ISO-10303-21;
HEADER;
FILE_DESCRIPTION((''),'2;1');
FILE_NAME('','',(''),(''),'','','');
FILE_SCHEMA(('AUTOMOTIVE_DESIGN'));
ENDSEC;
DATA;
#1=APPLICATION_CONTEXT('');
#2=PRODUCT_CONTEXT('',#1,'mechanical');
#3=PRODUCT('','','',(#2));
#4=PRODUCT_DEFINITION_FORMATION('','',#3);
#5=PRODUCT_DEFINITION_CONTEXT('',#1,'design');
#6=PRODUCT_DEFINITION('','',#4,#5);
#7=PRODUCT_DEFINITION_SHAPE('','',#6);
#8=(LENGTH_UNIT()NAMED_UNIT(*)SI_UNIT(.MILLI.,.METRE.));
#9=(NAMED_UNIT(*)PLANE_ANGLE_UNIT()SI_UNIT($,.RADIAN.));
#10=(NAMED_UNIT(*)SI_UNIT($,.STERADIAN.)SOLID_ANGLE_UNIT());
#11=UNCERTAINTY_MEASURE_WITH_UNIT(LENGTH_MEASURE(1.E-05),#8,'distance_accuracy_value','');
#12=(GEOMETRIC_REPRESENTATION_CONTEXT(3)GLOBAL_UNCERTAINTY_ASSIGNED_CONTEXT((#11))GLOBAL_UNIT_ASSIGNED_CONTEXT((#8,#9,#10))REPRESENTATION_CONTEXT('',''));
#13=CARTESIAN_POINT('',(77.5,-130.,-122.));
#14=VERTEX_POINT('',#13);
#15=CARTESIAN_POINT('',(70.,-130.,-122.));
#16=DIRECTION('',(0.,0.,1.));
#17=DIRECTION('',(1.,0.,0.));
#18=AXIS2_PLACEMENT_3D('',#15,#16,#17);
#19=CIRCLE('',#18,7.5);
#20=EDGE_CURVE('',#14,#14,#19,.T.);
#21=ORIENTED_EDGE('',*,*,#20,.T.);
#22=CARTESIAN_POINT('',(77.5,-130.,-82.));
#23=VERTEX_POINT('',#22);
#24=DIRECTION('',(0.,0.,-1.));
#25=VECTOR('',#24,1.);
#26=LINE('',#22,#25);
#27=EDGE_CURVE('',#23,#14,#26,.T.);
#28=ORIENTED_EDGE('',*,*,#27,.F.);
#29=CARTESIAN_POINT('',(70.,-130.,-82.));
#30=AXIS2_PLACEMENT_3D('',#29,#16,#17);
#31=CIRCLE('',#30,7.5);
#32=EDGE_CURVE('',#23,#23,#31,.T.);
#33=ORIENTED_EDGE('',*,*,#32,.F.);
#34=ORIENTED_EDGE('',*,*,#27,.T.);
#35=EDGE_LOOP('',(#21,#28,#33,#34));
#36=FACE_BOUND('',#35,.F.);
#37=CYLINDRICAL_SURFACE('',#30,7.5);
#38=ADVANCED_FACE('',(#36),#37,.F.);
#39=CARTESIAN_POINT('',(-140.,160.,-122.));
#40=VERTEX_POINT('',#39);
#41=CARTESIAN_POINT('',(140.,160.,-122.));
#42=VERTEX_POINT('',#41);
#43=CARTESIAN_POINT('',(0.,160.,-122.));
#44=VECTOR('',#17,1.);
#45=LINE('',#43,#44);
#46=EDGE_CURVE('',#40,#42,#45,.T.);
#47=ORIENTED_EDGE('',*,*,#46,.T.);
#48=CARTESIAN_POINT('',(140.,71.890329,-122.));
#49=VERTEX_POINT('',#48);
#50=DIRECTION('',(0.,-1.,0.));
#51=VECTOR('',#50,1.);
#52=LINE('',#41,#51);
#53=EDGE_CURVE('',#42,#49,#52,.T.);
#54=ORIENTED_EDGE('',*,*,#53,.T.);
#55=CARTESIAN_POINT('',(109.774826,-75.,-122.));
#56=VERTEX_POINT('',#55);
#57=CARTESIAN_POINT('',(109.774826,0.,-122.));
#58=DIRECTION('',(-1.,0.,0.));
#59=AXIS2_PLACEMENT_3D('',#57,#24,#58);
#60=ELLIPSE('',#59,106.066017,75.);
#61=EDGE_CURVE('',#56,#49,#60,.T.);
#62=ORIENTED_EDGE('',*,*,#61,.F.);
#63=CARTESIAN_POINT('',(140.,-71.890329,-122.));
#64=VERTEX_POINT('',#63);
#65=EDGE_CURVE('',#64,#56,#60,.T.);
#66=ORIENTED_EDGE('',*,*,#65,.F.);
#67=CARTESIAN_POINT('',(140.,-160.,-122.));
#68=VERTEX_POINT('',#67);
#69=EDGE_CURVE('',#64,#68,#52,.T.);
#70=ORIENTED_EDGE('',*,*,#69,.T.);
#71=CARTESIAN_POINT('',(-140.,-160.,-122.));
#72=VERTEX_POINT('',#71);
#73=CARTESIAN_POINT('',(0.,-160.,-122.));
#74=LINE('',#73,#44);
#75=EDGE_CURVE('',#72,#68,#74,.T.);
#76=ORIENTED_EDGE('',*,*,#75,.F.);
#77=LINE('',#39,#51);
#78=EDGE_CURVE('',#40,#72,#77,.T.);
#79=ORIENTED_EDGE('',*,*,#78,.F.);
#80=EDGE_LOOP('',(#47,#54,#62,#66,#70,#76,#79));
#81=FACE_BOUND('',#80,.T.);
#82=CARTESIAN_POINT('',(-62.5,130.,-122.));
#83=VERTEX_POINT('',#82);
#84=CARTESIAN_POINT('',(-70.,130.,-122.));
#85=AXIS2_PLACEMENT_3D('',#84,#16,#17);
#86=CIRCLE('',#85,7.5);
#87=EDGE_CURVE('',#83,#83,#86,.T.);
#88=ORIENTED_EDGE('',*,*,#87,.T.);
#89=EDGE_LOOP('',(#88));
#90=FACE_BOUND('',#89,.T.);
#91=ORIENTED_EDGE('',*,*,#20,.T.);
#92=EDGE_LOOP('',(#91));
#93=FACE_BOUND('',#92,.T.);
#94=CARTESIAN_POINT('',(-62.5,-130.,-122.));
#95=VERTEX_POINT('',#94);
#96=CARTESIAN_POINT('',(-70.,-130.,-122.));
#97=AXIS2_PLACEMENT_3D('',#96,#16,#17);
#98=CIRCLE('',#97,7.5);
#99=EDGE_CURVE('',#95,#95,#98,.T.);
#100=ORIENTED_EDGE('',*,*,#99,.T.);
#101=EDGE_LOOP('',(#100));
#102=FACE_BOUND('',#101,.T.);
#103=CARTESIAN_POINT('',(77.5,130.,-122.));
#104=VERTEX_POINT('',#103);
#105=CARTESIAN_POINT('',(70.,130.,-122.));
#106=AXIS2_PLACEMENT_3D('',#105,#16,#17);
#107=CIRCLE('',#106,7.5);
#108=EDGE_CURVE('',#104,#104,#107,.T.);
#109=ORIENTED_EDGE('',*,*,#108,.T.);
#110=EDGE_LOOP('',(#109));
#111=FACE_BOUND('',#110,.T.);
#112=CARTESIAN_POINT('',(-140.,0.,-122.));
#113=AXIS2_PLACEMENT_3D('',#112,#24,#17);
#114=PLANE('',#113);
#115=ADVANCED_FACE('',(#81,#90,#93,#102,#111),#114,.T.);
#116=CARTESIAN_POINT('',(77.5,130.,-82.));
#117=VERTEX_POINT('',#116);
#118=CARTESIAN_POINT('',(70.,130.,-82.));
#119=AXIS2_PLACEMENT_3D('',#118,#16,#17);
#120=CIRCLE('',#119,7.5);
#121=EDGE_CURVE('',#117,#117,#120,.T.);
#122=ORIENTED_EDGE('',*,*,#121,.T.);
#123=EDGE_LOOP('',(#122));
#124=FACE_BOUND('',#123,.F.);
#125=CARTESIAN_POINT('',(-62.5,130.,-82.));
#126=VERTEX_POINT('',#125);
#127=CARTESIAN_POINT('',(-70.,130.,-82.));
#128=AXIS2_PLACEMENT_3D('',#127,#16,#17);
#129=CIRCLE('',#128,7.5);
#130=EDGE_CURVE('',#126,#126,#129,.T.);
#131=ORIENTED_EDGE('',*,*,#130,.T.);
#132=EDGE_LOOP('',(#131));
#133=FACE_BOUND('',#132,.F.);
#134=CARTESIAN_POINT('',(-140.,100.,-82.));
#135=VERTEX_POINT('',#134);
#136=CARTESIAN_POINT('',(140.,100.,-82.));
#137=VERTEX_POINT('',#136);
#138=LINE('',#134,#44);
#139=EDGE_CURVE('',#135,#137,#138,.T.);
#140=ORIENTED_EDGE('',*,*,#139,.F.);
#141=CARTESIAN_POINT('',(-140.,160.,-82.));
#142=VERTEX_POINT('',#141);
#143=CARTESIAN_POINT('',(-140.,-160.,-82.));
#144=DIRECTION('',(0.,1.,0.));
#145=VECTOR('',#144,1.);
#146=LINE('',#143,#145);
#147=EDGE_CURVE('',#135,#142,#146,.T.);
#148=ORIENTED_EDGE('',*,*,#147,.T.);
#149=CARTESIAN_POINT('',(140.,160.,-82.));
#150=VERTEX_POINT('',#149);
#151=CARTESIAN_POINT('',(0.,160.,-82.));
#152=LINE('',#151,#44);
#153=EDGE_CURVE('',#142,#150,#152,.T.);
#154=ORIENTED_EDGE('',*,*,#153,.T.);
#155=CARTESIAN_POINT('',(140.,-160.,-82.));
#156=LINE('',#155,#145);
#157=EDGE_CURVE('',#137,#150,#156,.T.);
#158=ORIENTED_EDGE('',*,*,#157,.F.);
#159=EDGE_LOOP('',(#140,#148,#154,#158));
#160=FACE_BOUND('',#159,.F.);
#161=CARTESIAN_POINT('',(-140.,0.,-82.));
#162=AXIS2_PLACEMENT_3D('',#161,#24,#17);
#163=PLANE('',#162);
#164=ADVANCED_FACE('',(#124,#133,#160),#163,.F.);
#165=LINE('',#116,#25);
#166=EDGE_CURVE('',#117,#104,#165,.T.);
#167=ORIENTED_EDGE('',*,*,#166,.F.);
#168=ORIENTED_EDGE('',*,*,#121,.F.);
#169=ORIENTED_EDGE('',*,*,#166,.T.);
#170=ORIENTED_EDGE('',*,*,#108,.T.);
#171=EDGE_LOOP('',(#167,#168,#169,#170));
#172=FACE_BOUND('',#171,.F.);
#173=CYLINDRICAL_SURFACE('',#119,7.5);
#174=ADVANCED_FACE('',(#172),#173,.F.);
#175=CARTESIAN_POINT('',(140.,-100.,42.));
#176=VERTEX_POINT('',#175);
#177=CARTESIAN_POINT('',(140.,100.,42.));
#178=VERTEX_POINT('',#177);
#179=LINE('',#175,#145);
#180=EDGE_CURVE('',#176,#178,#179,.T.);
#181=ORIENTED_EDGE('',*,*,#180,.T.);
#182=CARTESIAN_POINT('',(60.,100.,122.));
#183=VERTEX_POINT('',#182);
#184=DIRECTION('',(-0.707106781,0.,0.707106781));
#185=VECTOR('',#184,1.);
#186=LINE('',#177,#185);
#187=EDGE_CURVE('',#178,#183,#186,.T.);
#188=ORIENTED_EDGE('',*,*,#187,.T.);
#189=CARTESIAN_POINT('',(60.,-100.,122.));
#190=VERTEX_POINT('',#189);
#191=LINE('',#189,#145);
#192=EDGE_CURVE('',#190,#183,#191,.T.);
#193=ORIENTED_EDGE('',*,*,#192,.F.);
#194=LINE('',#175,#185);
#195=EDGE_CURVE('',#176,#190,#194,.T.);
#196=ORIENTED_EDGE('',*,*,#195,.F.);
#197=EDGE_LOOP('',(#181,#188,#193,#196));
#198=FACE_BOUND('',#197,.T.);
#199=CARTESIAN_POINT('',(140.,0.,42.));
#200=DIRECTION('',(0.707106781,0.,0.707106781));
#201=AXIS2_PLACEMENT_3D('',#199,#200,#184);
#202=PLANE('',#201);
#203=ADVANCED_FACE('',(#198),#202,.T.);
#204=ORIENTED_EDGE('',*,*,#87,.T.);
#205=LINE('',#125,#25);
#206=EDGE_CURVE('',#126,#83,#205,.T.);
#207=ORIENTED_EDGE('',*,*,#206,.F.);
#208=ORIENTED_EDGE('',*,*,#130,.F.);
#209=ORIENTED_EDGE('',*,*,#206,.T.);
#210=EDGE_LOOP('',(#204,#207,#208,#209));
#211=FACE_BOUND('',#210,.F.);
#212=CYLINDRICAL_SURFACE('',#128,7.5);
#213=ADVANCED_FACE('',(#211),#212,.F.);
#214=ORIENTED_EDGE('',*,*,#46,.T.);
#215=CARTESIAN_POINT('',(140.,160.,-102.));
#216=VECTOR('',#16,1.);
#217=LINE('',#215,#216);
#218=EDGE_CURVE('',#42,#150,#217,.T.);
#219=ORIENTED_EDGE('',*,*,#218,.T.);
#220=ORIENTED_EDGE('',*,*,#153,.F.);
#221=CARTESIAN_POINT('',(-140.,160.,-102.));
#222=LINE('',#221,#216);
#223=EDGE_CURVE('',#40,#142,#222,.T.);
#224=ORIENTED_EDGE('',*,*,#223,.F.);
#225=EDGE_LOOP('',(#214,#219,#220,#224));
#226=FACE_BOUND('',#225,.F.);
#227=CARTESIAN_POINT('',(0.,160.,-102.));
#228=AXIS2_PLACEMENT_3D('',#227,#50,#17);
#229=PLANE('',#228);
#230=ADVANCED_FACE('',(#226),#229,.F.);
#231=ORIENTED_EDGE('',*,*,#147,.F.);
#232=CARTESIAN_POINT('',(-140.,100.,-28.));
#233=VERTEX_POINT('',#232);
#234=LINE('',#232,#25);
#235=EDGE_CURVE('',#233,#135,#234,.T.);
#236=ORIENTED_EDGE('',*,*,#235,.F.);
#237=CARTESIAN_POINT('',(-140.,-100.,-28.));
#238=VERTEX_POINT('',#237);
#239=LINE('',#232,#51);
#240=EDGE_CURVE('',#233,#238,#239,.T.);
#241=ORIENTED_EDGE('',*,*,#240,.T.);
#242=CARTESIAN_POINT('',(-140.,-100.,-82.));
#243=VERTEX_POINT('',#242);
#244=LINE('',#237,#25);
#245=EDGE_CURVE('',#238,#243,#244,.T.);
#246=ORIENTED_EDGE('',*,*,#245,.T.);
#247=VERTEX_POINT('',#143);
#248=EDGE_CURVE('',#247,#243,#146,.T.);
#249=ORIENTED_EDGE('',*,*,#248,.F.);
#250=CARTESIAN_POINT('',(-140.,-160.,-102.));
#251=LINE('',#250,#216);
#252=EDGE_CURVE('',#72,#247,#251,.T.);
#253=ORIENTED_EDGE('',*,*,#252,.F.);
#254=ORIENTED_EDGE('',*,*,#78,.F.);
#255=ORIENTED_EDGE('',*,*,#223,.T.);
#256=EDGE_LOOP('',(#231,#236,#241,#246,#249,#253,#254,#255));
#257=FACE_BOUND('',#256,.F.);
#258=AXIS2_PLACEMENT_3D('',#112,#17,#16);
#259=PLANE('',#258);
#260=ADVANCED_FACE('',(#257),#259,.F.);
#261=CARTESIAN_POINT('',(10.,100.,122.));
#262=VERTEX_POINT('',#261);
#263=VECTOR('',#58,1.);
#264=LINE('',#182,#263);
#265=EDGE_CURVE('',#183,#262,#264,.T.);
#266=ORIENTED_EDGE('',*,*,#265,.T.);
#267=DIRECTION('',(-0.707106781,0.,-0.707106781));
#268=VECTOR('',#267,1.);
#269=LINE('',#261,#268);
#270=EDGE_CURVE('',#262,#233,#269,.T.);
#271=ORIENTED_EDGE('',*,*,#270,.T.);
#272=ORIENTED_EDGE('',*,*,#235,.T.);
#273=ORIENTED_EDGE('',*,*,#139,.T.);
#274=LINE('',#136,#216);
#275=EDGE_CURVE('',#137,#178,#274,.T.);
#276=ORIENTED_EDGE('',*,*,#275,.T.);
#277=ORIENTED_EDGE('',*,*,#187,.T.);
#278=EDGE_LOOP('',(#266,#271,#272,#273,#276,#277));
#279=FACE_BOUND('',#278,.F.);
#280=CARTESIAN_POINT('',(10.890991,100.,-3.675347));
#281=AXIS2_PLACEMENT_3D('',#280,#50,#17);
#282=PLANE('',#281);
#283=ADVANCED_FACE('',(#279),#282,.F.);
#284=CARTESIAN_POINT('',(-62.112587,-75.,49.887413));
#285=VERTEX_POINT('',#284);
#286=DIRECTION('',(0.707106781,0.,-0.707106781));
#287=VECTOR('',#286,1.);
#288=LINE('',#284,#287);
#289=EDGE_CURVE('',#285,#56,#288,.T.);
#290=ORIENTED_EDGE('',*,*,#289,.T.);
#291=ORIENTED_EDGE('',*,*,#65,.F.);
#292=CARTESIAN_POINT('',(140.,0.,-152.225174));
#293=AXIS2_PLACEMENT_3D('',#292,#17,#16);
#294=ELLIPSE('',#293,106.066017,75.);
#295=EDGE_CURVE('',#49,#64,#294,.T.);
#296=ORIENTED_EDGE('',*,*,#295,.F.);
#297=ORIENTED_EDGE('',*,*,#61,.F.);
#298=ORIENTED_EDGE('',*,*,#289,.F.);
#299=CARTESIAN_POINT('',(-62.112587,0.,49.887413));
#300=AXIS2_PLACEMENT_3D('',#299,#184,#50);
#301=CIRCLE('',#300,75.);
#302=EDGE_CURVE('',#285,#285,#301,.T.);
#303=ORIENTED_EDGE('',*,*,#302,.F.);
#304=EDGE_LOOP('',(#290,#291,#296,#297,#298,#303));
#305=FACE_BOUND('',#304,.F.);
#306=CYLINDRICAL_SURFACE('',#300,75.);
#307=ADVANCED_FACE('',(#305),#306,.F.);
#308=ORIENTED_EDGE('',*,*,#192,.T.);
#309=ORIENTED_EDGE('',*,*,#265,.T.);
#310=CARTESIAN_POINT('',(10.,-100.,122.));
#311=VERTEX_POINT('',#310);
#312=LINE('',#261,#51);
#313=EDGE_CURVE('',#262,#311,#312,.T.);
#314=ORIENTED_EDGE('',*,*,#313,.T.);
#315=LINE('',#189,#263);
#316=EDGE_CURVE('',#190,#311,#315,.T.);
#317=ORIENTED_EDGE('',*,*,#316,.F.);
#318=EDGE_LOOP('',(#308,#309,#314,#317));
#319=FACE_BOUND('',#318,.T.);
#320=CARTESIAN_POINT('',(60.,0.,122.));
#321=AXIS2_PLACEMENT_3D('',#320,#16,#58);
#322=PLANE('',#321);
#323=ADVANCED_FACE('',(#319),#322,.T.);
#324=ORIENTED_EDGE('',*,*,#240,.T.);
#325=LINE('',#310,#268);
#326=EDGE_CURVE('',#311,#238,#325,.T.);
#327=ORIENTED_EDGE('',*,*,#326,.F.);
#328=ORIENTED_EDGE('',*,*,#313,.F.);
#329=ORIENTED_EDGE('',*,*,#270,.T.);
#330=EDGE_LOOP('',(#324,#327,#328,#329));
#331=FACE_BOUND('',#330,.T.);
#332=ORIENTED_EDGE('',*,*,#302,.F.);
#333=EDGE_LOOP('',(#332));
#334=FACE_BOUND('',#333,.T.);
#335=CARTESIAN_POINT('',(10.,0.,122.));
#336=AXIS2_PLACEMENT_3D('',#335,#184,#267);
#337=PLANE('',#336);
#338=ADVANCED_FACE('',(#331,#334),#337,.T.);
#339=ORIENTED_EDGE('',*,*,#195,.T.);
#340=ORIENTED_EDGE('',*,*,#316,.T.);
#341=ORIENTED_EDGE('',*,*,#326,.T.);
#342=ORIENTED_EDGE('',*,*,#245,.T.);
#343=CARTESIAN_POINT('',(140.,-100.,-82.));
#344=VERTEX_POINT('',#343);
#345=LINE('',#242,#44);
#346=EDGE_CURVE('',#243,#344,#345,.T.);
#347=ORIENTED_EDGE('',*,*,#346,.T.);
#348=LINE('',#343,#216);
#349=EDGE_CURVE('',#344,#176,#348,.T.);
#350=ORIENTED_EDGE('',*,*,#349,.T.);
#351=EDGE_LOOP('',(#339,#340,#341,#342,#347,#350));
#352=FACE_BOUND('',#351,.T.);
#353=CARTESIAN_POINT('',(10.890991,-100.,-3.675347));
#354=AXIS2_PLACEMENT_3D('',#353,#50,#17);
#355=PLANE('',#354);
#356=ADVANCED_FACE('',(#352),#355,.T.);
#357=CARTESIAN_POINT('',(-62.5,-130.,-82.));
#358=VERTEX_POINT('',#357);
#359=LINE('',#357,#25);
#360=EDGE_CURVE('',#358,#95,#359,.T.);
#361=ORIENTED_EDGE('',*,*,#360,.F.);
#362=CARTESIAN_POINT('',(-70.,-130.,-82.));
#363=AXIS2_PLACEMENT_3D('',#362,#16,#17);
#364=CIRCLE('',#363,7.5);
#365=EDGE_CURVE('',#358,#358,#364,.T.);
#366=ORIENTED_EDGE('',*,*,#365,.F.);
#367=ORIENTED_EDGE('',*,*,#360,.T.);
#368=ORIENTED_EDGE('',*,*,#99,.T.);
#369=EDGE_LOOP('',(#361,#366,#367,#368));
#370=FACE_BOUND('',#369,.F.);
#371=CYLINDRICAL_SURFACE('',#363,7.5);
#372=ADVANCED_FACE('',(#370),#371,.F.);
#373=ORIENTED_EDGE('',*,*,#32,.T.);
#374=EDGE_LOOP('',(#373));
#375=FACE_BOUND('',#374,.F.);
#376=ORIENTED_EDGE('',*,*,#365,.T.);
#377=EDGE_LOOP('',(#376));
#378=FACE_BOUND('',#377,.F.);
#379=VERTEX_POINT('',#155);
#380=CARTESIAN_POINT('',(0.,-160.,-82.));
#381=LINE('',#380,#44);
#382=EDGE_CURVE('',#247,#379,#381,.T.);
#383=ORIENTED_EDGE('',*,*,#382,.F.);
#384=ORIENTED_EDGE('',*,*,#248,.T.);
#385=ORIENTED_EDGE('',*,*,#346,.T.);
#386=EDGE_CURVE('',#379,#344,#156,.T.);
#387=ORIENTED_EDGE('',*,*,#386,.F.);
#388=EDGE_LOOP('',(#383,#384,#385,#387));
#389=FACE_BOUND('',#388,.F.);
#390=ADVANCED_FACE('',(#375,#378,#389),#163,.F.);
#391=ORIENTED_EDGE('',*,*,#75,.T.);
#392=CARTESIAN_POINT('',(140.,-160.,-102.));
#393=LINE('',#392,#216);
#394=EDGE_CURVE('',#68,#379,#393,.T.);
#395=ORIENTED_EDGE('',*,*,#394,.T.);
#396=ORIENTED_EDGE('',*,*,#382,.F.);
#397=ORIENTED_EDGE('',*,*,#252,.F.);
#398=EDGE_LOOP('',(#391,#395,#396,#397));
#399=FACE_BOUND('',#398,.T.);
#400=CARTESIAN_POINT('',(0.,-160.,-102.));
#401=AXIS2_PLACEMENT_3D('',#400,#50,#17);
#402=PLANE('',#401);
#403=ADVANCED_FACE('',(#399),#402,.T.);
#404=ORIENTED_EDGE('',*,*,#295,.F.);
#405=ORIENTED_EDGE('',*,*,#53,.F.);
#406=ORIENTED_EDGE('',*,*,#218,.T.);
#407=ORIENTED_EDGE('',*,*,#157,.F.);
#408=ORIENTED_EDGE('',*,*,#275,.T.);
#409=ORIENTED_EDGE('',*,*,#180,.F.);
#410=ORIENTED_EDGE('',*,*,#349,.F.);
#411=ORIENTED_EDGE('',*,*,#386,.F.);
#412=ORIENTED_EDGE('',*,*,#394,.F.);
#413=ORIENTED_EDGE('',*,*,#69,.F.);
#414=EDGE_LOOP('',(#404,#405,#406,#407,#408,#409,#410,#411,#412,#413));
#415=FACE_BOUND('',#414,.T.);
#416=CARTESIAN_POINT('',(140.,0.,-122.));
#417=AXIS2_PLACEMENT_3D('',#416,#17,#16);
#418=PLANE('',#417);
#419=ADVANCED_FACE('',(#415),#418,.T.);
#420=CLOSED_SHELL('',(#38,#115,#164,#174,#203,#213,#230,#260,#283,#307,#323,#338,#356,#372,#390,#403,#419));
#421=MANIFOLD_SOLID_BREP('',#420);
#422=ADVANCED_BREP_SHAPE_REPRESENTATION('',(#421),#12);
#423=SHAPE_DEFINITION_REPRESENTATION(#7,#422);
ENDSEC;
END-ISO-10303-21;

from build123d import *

# Parameters (mm, degrees)
F0_W     = 280
F0_H     = 40
F1_DEPTH = 160
F2_DEPTH = 100
F4_R     = 7.5
F5_R     = 7.5
F6_DEPTH = 40.001
F3_R     = 75
F7_DEPTH = 264.4589361638


with BuildPart() as f1:
    # F0 (on Front) → F1 (new body, symmetric)
    with BuildSketch(Plane.XZ):
        with Locations((0, -102)):
            Rectangle(F0_W, F0_H)
    extrude(amount=F1_DEPTH, both=True)

    # F0 (on Front) → F2 (join, symmetric)
    with BuildSketch(Plane.XZ):
        Polygon((60, 122), (10, 122), (-140, -28), (-140, -82), (140, -82), (140, 42), align=None)
    extrude(amount=F2_DEPTH, both=True)

    # F4 (on face) + F5 (on face) → F6 (cut, through all)
    with BuildSketch(Plane.XY.offset(-82)):
        with Locations((70, 130)):
            Circle(F4_R)
        with Locations((-70, 130)):
            Circle(F4_R)
    with BuildSketch(Plane.XY.offset(-82)):
        with Locations((-70, -130)):
            Circle(F5_R)
        with Locations((70, -130)):
            Circle(F5_R)
    extrude(amount=-F6_DEPTH, mode=Mode.SUBTRACT)

    # F3 (on face) → F7 (cut, through all)
    with BuildSketch(Plane(origin=(-56, 0, 56), x_dir=(0, -1, 0), z_dir=(-0.7071067812, 0, 0.7071067812))):
        with Locations((0, -8.6445035856)):
            Circle(F3_R)
    extrude(amount=-F7_DEPTH, mode=Mode.SUBTRACT)


solid = f1.part
